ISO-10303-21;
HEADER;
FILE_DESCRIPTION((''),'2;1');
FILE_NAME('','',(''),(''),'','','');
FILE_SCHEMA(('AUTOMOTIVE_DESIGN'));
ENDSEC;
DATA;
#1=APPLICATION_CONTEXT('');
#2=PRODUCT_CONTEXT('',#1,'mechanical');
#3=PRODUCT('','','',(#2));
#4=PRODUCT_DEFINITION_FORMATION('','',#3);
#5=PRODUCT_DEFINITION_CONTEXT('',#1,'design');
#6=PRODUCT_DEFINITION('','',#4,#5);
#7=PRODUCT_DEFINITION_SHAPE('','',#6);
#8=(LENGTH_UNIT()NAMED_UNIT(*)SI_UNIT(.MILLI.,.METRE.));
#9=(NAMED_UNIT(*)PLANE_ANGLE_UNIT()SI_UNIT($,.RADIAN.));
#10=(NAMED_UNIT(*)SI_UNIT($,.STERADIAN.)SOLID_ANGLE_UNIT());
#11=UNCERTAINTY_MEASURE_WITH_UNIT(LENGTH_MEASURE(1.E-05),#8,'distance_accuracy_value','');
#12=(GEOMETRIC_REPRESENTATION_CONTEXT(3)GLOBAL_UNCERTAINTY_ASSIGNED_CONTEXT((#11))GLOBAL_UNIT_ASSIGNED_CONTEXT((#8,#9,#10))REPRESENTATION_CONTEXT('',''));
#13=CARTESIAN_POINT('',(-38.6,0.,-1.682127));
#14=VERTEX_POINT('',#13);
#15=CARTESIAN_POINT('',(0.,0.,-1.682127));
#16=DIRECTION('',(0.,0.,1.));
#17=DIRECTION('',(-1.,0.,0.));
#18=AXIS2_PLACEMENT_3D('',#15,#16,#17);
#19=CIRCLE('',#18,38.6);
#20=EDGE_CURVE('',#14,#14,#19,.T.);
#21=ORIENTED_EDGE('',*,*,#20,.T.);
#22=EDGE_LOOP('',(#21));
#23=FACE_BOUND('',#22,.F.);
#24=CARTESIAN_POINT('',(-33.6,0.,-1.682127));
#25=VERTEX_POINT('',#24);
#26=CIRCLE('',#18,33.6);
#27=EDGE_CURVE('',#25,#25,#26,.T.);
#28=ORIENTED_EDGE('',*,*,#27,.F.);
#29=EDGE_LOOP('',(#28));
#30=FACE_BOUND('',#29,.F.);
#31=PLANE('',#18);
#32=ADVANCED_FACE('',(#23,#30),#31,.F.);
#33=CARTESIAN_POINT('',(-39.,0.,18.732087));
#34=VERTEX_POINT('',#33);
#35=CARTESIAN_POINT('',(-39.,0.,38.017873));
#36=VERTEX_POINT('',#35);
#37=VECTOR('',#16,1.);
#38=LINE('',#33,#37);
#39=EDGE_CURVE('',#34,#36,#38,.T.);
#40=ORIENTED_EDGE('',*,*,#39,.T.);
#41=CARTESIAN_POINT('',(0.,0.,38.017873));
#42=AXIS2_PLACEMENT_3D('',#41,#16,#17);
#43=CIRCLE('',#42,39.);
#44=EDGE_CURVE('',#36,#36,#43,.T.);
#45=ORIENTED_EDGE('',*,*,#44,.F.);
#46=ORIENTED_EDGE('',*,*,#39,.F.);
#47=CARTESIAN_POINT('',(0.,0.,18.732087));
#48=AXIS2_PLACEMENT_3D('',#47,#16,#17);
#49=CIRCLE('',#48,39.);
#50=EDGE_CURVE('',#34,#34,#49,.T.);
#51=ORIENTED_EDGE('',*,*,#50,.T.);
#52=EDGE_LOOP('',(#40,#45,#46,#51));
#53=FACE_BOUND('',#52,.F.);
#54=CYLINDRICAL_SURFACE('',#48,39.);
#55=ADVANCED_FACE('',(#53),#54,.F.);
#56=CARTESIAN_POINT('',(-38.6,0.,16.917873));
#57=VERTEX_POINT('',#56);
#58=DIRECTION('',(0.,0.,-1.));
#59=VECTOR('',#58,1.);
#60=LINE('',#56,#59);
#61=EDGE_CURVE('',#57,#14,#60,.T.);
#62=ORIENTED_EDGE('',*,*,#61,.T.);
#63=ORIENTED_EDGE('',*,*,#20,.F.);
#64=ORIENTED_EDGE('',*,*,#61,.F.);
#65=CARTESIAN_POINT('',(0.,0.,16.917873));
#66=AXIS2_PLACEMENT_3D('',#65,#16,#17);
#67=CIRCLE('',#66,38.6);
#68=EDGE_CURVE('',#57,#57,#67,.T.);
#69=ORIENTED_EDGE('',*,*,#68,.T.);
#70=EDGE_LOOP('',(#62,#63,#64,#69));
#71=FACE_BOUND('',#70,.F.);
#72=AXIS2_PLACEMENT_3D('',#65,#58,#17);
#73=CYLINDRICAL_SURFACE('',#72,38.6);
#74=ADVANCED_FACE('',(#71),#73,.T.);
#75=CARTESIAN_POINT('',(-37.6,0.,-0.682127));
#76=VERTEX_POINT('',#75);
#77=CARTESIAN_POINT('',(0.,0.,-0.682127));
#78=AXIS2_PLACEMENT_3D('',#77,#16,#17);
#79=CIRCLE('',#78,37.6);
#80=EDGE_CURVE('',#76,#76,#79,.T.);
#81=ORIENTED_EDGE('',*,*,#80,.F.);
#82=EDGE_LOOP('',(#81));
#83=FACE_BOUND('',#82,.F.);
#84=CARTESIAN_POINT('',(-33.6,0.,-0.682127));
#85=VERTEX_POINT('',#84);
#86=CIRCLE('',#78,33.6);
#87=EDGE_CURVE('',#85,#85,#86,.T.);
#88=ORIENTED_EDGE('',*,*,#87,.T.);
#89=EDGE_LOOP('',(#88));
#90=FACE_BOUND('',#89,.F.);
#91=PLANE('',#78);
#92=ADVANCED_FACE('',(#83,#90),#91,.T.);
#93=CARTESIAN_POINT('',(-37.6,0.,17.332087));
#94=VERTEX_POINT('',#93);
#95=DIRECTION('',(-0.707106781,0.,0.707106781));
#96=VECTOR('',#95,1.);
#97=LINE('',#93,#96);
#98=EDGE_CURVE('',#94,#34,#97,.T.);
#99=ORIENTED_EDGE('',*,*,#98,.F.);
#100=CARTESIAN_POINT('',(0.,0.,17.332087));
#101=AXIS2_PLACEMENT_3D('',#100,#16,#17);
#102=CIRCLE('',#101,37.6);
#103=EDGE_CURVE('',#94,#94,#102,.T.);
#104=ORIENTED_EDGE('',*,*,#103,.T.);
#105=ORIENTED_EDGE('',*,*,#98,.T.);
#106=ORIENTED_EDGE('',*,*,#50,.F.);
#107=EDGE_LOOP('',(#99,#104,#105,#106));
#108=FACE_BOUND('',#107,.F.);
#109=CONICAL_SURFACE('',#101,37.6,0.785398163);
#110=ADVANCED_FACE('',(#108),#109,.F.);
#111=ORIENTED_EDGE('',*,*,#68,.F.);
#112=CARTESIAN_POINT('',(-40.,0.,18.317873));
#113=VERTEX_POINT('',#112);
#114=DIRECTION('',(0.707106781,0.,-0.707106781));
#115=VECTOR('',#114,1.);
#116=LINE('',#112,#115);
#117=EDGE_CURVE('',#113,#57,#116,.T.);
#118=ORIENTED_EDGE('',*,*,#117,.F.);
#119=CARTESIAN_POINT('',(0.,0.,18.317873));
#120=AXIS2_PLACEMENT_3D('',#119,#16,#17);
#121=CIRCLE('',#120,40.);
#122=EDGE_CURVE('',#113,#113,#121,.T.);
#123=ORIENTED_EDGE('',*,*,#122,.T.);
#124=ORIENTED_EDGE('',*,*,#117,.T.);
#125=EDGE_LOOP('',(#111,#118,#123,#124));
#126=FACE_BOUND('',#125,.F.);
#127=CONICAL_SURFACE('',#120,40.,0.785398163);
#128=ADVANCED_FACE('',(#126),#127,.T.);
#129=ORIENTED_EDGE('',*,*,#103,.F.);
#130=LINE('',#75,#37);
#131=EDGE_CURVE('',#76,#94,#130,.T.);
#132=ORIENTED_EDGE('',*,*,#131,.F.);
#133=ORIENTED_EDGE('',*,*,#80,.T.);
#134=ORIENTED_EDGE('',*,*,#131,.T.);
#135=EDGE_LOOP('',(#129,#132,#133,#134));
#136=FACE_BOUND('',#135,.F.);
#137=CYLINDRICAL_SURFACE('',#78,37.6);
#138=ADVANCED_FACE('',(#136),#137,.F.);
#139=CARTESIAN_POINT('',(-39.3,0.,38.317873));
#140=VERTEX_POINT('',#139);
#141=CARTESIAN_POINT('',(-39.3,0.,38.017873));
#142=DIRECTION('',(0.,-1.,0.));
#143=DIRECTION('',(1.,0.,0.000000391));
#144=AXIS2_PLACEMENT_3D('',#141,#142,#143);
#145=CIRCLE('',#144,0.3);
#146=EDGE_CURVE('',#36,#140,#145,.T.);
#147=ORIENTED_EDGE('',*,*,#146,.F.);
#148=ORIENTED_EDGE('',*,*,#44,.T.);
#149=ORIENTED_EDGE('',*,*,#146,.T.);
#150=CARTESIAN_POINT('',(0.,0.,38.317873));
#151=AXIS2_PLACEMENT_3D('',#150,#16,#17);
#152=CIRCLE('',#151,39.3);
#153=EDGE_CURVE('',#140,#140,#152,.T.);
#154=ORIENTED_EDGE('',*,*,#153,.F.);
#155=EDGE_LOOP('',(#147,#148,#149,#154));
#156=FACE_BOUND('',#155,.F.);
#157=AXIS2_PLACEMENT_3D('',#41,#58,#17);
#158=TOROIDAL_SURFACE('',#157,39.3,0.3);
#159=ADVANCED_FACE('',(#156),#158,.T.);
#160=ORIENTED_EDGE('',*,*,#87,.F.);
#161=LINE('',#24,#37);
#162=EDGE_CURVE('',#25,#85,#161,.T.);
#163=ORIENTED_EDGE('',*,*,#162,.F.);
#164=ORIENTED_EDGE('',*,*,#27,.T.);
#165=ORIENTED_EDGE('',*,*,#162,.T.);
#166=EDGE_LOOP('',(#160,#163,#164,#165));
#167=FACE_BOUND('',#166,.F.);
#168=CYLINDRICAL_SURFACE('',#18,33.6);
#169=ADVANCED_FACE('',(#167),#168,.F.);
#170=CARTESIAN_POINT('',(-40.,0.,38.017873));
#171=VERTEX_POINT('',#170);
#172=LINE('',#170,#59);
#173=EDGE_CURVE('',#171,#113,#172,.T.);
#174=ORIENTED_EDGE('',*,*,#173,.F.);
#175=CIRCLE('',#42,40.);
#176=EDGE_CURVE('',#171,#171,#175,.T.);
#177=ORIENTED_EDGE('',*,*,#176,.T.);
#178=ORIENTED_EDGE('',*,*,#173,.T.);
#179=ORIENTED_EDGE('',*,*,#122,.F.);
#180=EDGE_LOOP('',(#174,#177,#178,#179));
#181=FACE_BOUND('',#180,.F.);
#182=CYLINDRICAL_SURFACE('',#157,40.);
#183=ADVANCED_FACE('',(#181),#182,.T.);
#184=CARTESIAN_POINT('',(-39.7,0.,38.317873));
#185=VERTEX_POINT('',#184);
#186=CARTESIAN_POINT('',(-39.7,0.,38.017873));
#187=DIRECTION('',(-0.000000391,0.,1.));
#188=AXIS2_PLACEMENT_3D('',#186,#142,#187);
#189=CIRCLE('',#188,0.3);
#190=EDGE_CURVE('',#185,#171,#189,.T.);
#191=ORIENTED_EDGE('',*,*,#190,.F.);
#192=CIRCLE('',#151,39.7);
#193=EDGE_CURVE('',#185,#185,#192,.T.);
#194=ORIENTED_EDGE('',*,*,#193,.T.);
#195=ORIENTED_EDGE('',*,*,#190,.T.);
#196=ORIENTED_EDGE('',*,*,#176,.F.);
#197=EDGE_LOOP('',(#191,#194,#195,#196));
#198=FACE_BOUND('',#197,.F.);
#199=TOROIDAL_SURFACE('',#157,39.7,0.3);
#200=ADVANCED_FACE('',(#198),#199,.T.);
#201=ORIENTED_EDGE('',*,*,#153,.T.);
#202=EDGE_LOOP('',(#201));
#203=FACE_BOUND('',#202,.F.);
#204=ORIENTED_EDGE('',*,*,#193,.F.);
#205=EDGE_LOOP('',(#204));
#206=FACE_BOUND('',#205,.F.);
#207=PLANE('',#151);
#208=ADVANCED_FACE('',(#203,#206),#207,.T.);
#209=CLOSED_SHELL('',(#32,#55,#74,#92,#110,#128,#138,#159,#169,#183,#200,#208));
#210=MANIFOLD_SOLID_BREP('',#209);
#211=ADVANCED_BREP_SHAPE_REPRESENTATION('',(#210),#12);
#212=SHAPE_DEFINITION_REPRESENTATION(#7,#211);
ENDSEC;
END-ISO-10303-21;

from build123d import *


with BuildPart() as f1:
    # F0 (on Front) → F1 (revolve)
    with BuildSketch(Plane.XZ):
        with BuildLine():
            ThreePointArc((-39.7, 38.317873), (-39.912132, 38.230005), (-40, 38.017873))
            Line((-40, 38.017873), (-40, 18.317873))
            Line((-40, 18.317873), (-38.6, 16.917873))
            Line((-38.6, 16.917873), (-38.6, -1.682127))
            Line((-38.6, -1.682127), (-33.6, -1.682127))
            Line((-33.6, -1.682127), (-33.6, -0.682127))
            Line((-33.6, -0.682127), (-37.6, -0.682127))
            Line((-37.6, -0.682127), (-37.6, 17.332087))
            Line((-37.6, 17.332087), (-39, 18.732087))
            Line((-39, 18.732087), (-39, 38.017873))
            ThreePointArc((-39, 38.017873), (-39.087868, 38.230005), (-39.3, 38.317873))
            Line((-39.3, 38.317873), (-39.7, 38.317873))
        make_face()
    revolve(axis=Axis((0, 0, 6.135541), (0, 0, 1)))


solid = f1.part
